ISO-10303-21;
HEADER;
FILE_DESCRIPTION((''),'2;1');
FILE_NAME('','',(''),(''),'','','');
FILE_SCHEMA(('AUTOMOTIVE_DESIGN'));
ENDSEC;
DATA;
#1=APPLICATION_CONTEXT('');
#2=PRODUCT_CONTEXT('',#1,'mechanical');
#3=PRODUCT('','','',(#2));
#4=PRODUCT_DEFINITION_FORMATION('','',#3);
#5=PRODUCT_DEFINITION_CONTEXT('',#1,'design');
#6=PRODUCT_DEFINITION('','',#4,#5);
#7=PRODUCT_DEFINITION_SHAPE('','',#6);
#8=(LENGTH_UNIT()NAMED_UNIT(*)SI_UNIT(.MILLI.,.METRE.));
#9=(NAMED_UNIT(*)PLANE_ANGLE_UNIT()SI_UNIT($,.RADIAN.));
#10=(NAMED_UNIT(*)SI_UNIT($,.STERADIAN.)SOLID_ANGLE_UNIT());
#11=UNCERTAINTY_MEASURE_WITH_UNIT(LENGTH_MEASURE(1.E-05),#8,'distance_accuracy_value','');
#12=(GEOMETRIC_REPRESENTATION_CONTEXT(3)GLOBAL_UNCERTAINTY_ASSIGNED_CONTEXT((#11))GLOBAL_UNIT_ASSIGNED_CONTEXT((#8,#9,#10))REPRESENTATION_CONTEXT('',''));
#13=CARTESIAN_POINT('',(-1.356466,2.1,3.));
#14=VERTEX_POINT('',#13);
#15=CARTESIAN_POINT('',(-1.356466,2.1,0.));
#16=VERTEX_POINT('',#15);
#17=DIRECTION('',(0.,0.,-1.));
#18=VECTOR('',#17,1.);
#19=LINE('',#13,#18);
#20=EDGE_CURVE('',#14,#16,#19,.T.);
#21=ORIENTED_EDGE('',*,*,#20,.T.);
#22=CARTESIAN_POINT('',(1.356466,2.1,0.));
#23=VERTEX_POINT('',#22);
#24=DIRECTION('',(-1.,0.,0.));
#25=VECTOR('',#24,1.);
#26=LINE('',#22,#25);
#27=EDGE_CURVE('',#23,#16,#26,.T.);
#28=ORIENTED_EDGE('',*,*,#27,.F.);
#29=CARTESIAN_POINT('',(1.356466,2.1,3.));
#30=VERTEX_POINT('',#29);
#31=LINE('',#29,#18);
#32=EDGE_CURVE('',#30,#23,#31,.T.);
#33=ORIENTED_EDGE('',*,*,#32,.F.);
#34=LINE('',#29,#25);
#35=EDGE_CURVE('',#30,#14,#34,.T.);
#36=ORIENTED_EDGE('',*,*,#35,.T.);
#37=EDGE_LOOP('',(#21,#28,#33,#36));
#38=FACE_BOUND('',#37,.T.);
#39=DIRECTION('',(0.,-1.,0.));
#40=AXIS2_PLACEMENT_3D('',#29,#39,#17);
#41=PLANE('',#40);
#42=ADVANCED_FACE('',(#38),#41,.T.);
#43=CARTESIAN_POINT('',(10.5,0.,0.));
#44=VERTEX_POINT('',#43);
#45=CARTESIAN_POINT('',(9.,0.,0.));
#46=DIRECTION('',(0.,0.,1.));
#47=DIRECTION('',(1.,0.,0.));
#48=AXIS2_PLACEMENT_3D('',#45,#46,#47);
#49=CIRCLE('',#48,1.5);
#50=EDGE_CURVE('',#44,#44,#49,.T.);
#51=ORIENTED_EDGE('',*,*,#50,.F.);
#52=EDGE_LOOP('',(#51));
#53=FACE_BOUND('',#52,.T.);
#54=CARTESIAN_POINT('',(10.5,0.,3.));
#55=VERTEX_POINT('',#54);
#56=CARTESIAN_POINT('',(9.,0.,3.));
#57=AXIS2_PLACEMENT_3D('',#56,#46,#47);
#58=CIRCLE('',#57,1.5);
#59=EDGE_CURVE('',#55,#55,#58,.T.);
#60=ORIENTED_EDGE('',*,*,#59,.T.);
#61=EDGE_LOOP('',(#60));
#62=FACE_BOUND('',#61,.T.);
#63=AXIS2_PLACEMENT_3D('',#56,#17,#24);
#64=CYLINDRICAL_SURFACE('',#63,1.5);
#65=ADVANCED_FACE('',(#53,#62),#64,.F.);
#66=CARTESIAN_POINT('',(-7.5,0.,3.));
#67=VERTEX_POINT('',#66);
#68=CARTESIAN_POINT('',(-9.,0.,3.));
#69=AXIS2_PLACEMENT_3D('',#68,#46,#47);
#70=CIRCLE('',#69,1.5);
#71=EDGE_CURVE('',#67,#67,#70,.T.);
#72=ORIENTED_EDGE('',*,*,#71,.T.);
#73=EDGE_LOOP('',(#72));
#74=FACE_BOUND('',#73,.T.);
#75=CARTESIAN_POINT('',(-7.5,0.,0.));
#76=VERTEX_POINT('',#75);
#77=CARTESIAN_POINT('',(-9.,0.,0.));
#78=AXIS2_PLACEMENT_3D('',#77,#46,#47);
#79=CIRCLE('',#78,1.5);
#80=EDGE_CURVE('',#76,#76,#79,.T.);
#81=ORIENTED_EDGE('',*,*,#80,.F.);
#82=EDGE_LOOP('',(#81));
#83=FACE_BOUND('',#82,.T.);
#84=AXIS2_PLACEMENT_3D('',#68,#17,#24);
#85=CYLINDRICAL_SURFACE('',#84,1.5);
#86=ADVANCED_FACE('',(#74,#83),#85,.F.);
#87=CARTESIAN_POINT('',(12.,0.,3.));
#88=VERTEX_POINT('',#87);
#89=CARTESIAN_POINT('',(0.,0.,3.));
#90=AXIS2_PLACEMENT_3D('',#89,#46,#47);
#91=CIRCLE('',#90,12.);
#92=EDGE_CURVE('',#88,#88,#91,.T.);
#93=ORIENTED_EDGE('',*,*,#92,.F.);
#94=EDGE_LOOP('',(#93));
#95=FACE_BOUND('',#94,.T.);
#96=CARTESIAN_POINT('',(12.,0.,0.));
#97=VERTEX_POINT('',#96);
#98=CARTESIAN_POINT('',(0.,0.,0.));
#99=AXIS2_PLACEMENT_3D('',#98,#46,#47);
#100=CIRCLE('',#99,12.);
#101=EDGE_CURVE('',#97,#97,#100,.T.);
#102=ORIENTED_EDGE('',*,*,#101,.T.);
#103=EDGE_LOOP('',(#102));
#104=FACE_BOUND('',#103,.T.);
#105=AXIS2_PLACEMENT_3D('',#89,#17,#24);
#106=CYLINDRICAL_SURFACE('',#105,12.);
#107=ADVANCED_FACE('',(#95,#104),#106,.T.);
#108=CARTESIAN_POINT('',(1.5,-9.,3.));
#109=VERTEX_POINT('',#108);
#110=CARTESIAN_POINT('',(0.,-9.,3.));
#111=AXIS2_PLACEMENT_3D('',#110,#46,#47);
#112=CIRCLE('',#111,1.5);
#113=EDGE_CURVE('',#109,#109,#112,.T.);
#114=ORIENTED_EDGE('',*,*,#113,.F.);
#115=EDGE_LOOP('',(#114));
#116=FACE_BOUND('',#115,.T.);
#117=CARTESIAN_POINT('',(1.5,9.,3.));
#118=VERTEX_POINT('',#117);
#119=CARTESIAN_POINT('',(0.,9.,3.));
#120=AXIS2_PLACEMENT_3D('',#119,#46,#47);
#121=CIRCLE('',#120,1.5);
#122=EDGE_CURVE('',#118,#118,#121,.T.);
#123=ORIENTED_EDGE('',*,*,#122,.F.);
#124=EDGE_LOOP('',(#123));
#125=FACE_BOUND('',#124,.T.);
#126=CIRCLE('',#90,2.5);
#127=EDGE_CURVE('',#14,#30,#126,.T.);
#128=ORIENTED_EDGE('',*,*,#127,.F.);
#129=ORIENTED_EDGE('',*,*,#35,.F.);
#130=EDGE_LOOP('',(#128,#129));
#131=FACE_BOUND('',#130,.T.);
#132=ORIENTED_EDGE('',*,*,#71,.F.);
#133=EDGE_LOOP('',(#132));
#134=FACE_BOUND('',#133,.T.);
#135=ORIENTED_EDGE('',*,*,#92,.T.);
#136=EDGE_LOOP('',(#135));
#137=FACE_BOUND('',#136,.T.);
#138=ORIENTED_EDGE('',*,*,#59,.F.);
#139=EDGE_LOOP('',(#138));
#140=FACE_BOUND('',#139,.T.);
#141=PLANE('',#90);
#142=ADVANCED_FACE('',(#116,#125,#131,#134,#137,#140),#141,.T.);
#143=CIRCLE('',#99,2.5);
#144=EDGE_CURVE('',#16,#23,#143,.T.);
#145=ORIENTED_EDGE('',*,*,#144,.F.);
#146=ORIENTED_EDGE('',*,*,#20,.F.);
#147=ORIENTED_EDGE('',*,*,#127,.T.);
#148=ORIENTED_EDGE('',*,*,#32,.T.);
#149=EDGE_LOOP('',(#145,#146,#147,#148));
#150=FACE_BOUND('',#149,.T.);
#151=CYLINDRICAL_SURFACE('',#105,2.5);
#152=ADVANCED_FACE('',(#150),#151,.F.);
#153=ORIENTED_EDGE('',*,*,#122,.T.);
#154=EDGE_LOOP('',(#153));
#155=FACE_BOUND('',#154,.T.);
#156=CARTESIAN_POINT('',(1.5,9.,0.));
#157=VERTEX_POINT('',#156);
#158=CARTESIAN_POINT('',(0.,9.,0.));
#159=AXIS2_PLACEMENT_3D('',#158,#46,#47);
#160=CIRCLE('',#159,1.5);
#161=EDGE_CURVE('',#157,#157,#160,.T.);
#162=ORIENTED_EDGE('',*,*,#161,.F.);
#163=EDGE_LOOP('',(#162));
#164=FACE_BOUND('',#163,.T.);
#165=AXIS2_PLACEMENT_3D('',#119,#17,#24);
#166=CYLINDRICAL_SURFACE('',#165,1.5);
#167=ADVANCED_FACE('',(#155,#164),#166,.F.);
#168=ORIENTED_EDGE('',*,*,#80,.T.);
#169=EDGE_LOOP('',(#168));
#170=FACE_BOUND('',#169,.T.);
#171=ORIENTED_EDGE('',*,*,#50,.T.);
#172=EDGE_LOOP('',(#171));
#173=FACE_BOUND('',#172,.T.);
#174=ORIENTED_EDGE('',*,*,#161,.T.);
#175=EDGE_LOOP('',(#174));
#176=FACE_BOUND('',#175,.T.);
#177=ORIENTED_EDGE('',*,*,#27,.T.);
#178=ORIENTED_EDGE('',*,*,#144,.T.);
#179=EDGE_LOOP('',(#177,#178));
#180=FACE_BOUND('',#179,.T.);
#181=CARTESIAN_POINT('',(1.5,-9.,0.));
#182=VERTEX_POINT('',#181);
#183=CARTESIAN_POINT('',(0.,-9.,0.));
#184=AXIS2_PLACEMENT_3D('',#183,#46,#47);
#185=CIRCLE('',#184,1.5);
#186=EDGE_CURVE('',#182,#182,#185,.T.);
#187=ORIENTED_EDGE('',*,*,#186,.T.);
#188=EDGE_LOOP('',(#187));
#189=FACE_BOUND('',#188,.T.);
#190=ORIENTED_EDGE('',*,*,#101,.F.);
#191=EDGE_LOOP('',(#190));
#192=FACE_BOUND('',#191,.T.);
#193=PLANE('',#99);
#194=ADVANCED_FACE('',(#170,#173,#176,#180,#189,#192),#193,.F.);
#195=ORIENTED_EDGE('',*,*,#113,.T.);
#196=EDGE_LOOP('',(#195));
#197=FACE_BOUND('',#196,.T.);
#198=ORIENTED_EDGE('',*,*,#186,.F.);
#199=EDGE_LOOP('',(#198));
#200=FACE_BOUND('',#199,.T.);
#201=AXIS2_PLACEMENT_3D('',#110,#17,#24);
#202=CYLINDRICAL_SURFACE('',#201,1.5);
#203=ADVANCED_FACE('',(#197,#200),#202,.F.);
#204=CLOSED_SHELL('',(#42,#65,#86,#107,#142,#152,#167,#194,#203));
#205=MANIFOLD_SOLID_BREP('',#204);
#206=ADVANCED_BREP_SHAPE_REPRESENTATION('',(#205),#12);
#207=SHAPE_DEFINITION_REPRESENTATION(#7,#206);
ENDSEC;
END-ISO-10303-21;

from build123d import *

# Parameters (mm, degrees)
CROQUIS1_R              = 12
CROQUIS1_R_2            = 1.5
SALIENTE_EXTRUIR1_DEPTH = 3


with BuildPart() as part:
    # Croquis1 → Saliente-Extruir1 (new body)
    with BuildSketch(Plane.XY):
        Circle(CROQUIS1_R)
        with Locations((0, 9)):
            Circle(CROQUIS1_R_2, mode=Mode.SUBTRACT)
        with Locations((9, 0)):
            Circle(CROQUIS1_R_2, mode=Mode.SUBTRACT)
        with Locations((0, -9)):
            Circle(CROQUIS1_R_2, mode=Mode.SUBTRACT)
        with Locations((-9, 0)):
            Circle(CROQUIS1_R_2, mode=Mode.SUBTRACT)
        with BuildLine():
            Line((1.356465997, 2.1), (-1.356465997, 2.1))
            ThreePointArc((-1.356465997, 2.1), (0, -2.5), (1.356465997, 2.1))
        make_face(mode=Mode.SUBTRACT)
    extrude(amount=SALIENTE_EXTRUIR1_DEPTH)


solid = part.part
